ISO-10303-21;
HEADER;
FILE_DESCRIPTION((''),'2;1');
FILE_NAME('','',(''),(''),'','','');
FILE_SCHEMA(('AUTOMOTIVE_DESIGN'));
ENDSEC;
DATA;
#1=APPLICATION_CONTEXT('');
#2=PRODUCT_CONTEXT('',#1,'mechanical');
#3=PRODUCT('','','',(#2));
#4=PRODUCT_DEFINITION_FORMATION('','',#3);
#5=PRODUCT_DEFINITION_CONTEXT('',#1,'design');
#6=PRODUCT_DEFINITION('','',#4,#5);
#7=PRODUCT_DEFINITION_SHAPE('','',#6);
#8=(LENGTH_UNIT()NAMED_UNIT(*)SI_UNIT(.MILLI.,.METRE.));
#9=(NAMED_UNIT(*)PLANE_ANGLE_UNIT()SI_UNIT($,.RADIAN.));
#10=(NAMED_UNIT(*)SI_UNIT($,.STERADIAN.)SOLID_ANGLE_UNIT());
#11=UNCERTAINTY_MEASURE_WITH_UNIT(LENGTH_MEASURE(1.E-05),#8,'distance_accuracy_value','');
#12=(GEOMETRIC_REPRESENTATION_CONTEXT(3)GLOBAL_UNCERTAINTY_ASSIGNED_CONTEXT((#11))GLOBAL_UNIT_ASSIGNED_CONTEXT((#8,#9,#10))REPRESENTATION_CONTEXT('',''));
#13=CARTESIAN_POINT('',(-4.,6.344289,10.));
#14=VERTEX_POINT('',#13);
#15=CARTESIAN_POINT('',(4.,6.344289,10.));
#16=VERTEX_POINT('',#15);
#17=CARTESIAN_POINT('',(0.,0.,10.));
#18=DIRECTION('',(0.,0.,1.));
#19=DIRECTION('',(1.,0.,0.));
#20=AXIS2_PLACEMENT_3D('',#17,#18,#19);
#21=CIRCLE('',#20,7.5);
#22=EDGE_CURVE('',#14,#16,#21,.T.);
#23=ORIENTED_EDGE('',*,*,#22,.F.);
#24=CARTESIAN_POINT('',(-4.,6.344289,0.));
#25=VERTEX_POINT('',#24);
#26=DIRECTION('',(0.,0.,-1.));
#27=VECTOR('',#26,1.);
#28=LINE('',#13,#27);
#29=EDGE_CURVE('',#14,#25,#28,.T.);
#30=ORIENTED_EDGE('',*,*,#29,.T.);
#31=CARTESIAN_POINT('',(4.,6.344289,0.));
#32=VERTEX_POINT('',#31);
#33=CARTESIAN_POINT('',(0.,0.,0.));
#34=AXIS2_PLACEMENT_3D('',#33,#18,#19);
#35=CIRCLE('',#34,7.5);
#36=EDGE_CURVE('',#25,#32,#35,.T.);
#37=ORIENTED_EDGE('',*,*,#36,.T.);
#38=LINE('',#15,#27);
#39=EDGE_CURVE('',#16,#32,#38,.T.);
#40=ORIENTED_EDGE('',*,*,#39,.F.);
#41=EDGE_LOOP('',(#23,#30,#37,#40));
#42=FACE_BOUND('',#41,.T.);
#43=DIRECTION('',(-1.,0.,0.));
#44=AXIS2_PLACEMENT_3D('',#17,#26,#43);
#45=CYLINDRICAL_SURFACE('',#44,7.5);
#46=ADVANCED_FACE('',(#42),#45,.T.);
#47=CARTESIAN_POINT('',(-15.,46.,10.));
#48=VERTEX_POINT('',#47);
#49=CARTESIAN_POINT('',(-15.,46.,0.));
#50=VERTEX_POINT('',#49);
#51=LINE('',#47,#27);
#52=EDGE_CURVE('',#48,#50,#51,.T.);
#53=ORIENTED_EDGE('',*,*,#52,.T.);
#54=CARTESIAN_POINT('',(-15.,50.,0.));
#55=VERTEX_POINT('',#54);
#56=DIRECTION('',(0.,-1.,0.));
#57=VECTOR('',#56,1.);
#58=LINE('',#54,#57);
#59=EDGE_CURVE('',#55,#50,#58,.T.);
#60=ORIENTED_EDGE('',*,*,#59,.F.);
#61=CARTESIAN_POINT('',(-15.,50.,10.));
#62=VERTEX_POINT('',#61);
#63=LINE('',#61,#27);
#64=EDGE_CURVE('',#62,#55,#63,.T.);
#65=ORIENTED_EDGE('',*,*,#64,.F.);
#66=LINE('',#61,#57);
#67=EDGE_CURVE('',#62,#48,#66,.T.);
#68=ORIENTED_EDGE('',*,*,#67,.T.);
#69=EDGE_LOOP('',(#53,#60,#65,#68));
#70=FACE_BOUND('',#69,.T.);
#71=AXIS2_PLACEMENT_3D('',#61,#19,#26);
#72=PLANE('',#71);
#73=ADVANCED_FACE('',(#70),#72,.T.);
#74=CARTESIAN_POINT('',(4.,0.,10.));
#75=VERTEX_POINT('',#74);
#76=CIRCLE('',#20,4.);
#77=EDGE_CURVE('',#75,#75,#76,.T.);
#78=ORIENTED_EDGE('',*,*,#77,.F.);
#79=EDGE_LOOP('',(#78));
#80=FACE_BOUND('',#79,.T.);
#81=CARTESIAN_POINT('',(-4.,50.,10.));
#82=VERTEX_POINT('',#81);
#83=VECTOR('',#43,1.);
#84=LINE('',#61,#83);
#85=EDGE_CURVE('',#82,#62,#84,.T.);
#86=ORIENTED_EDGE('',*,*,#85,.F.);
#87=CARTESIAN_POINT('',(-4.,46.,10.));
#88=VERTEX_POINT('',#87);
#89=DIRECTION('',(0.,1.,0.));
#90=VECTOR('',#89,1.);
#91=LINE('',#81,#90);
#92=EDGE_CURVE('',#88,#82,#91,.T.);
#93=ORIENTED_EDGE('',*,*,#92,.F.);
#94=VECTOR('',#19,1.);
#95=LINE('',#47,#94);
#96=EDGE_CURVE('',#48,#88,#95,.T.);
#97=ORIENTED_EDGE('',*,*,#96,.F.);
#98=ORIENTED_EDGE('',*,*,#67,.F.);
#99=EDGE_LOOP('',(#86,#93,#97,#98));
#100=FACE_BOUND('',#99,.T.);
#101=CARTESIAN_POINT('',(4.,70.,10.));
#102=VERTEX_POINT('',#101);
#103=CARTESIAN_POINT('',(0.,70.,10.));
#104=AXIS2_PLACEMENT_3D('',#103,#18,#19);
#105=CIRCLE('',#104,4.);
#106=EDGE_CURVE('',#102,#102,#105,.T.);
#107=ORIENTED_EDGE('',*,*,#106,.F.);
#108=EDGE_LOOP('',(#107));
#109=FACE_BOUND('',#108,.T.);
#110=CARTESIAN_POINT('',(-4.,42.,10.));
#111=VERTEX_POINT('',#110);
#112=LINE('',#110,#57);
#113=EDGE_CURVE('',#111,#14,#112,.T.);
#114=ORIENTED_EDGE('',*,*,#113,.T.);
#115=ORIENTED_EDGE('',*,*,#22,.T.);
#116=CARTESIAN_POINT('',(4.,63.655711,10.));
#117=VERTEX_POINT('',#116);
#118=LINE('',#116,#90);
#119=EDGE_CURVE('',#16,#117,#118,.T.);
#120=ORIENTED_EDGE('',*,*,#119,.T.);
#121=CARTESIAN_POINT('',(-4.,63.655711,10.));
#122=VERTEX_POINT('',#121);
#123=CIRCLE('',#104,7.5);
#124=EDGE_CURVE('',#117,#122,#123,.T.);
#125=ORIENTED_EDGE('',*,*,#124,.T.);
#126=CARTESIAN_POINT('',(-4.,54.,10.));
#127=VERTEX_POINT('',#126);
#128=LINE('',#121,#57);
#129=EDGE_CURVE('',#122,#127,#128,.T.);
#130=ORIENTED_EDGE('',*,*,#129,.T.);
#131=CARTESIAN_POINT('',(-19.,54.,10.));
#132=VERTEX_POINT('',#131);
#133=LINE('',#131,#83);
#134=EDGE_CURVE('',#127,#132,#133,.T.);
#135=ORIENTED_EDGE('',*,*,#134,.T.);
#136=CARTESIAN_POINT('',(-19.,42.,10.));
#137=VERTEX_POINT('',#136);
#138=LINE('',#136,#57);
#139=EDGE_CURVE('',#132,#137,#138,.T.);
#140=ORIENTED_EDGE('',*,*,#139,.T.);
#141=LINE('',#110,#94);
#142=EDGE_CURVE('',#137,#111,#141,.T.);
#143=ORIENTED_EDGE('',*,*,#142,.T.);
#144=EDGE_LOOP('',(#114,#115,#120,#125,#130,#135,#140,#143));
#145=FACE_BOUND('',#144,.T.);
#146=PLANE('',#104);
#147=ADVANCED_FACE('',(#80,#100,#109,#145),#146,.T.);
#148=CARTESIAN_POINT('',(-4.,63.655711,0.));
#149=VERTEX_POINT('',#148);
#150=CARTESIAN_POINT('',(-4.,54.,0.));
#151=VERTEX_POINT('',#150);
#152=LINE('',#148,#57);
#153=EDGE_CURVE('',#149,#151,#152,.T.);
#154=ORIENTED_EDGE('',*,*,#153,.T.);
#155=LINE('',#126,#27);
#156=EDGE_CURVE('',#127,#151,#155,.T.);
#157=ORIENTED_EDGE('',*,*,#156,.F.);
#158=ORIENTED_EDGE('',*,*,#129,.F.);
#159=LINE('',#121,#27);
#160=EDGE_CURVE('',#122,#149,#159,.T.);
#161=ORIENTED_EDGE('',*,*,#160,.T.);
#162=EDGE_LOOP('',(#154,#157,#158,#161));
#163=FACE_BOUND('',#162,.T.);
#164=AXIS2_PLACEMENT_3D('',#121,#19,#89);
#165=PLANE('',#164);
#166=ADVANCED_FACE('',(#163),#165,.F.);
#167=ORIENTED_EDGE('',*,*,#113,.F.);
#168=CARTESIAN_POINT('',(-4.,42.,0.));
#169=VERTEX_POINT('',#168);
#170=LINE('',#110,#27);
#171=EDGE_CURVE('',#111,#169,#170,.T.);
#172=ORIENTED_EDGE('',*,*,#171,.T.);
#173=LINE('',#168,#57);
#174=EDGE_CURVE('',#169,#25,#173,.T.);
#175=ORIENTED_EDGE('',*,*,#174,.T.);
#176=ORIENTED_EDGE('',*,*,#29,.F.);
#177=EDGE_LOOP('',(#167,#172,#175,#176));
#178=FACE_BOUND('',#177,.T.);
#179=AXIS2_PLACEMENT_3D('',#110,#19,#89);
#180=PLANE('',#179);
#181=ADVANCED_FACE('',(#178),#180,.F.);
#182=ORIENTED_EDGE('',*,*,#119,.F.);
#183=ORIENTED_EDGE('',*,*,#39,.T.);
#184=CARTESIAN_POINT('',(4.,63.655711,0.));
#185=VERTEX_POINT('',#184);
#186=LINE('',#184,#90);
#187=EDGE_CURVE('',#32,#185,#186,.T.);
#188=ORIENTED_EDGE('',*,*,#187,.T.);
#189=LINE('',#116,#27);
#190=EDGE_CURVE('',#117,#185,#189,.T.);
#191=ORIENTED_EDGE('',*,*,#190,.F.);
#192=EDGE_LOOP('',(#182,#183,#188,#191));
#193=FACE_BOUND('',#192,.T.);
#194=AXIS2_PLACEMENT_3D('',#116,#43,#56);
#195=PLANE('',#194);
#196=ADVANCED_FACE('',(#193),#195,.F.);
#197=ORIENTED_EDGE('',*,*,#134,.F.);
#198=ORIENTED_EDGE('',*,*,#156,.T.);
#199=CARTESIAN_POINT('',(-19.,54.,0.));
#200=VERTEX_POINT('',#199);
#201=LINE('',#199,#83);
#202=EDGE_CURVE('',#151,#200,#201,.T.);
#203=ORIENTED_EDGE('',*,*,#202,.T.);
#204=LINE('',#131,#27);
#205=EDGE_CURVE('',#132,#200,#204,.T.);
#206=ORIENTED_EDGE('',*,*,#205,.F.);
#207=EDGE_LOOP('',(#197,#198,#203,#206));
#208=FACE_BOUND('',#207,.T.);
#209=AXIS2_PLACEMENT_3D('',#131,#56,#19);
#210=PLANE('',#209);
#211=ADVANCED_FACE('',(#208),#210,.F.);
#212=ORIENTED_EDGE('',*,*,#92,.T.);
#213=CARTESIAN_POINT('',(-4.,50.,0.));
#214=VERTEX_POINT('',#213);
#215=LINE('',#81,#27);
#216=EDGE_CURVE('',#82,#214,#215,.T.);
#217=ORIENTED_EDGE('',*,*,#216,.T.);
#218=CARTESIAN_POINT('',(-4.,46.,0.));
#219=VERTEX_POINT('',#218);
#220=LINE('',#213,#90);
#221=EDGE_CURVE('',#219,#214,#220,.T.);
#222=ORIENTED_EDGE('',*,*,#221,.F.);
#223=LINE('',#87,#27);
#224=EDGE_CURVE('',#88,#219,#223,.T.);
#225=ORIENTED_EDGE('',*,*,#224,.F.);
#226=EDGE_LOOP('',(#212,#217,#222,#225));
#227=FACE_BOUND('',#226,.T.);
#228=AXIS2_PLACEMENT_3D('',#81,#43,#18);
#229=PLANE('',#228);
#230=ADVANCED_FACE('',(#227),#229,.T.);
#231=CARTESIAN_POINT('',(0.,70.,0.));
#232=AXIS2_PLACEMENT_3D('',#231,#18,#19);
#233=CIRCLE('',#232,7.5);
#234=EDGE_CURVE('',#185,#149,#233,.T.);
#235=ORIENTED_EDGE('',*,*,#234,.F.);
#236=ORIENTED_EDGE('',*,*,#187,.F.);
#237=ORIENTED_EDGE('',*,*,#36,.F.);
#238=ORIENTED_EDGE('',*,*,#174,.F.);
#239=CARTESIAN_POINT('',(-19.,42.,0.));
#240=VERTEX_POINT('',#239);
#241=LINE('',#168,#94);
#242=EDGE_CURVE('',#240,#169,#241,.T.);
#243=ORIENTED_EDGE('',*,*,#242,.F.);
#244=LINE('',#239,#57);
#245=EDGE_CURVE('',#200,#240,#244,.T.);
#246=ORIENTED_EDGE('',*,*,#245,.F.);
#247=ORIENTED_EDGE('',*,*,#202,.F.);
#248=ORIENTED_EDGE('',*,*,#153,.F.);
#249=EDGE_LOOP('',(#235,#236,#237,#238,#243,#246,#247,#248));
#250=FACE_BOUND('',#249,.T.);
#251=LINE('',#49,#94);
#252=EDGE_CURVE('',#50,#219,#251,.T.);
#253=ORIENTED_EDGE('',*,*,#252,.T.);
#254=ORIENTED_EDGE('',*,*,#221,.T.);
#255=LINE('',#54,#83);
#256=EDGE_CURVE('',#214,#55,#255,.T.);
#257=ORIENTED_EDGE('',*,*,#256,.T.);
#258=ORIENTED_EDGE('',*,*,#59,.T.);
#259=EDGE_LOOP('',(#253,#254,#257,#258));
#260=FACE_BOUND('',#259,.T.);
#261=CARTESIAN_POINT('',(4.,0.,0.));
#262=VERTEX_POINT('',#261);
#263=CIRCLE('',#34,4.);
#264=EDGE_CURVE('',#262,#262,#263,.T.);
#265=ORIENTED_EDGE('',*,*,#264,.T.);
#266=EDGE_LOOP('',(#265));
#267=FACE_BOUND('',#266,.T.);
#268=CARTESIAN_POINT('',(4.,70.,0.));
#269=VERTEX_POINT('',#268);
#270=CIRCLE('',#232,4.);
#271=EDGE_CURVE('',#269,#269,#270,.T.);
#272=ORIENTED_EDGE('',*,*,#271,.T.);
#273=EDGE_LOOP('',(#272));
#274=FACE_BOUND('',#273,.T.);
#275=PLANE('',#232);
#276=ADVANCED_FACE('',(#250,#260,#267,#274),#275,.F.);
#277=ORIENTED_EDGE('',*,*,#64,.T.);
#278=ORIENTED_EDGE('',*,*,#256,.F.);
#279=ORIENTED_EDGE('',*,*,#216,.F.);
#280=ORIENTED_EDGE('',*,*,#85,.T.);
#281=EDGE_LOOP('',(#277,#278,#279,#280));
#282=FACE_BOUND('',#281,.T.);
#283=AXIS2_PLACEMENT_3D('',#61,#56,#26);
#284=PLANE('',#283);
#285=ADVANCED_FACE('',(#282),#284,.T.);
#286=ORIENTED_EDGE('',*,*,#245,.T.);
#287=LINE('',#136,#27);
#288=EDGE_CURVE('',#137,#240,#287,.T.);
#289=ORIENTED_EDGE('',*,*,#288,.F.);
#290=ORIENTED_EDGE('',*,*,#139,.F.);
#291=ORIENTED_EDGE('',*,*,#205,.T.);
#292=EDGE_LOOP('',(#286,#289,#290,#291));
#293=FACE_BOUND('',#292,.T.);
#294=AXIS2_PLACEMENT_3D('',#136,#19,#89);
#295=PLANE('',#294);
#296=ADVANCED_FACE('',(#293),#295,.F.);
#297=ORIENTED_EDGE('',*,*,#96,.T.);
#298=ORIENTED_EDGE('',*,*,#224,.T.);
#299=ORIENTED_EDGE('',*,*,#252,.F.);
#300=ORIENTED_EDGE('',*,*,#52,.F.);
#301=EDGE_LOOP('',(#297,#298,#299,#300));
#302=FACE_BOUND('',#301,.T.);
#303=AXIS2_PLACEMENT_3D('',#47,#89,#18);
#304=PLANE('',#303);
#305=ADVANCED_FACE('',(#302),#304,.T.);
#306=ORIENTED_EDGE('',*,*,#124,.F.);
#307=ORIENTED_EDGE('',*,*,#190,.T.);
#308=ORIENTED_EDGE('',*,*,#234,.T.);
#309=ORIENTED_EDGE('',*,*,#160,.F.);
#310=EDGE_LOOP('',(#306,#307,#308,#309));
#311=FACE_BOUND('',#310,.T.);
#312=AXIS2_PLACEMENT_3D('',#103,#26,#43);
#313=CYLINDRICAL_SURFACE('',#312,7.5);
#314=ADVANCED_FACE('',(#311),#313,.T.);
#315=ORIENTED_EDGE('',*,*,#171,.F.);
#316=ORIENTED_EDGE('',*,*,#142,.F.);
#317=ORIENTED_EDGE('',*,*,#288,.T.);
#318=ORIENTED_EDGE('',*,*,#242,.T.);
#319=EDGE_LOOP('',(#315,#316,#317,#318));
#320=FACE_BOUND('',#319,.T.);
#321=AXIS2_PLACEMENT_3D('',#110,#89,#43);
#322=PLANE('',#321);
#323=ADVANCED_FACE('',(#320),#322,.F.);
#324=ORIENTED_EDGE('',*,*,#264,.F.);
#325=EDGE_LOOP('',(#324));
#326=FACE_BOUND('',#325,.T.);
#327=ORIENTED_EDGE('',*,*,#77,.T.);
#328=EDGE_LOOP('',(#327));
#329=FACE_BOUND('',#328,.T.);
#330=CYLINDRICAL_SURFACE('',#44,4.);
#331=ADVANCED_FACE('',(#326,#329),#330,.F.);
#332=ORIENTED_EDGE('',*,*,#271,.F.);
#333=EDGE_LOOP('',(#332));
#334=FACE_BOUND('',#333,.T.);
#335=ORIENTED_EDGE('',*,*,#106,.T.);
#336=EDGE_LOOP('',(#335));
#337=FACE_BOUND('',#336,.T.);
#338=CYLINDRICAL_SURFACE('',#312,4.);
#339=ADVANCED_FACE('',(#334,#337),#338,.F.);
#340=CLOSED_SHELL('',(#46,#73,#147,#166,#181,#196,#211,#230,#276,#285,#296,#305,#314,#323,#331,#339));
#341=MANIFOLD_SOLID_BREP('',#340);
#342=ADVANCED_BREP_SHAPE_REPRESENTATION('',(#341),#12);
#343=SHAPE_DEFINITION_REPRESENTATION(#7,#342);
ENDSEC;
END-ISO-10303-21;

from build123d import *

# Parameters (mm, degrees)
ESBO_O1_R                = 4
ESBO_O1_W                = 11
ESBO_O1_H                = 4
RESSALTO_EXTRUS_O1_DEPTH = 10


with BuildPart() as part:
    # Esboço1 → Ressalto-extrusão1 (new body)
    with BuildSketch(Plane.XY):
        with BuildLine():
            Line((4, 6.34428877), (4, 63.65571123))
            ThreePointArc((4, 63.65571123), (0, 77.5), (-4, 63.65571123))
            Line((-4, 63.65571123), (-4, 54))
            Line((-4, 54), (-19, 54))
            Line((-19, 54), (-19, 42))
            Line((-19, 42), (-4, 42))
            Line((-4, 42), (-4, 6.34428877))
            ThreePointArc((-4, 6.34428877), (0, -7.5), (4, 6.34428877))
        make_face()
        Circle(ESBO_O1_R, mode=Mode.SUBTRACT)
        with Locations((-9.5, 48)):
            Rectangle(ESBO_O1_W, ESBO_O1_H, mode=Mode.SUBTRACT)
        with Locations((0, 70)):
            Circle(ESBO_O1_R, mode=Mode.SUBTRACT)
    extrude(amount=RESSALTO_EXTRUS_O1_DEPTH)


solid = part.part
